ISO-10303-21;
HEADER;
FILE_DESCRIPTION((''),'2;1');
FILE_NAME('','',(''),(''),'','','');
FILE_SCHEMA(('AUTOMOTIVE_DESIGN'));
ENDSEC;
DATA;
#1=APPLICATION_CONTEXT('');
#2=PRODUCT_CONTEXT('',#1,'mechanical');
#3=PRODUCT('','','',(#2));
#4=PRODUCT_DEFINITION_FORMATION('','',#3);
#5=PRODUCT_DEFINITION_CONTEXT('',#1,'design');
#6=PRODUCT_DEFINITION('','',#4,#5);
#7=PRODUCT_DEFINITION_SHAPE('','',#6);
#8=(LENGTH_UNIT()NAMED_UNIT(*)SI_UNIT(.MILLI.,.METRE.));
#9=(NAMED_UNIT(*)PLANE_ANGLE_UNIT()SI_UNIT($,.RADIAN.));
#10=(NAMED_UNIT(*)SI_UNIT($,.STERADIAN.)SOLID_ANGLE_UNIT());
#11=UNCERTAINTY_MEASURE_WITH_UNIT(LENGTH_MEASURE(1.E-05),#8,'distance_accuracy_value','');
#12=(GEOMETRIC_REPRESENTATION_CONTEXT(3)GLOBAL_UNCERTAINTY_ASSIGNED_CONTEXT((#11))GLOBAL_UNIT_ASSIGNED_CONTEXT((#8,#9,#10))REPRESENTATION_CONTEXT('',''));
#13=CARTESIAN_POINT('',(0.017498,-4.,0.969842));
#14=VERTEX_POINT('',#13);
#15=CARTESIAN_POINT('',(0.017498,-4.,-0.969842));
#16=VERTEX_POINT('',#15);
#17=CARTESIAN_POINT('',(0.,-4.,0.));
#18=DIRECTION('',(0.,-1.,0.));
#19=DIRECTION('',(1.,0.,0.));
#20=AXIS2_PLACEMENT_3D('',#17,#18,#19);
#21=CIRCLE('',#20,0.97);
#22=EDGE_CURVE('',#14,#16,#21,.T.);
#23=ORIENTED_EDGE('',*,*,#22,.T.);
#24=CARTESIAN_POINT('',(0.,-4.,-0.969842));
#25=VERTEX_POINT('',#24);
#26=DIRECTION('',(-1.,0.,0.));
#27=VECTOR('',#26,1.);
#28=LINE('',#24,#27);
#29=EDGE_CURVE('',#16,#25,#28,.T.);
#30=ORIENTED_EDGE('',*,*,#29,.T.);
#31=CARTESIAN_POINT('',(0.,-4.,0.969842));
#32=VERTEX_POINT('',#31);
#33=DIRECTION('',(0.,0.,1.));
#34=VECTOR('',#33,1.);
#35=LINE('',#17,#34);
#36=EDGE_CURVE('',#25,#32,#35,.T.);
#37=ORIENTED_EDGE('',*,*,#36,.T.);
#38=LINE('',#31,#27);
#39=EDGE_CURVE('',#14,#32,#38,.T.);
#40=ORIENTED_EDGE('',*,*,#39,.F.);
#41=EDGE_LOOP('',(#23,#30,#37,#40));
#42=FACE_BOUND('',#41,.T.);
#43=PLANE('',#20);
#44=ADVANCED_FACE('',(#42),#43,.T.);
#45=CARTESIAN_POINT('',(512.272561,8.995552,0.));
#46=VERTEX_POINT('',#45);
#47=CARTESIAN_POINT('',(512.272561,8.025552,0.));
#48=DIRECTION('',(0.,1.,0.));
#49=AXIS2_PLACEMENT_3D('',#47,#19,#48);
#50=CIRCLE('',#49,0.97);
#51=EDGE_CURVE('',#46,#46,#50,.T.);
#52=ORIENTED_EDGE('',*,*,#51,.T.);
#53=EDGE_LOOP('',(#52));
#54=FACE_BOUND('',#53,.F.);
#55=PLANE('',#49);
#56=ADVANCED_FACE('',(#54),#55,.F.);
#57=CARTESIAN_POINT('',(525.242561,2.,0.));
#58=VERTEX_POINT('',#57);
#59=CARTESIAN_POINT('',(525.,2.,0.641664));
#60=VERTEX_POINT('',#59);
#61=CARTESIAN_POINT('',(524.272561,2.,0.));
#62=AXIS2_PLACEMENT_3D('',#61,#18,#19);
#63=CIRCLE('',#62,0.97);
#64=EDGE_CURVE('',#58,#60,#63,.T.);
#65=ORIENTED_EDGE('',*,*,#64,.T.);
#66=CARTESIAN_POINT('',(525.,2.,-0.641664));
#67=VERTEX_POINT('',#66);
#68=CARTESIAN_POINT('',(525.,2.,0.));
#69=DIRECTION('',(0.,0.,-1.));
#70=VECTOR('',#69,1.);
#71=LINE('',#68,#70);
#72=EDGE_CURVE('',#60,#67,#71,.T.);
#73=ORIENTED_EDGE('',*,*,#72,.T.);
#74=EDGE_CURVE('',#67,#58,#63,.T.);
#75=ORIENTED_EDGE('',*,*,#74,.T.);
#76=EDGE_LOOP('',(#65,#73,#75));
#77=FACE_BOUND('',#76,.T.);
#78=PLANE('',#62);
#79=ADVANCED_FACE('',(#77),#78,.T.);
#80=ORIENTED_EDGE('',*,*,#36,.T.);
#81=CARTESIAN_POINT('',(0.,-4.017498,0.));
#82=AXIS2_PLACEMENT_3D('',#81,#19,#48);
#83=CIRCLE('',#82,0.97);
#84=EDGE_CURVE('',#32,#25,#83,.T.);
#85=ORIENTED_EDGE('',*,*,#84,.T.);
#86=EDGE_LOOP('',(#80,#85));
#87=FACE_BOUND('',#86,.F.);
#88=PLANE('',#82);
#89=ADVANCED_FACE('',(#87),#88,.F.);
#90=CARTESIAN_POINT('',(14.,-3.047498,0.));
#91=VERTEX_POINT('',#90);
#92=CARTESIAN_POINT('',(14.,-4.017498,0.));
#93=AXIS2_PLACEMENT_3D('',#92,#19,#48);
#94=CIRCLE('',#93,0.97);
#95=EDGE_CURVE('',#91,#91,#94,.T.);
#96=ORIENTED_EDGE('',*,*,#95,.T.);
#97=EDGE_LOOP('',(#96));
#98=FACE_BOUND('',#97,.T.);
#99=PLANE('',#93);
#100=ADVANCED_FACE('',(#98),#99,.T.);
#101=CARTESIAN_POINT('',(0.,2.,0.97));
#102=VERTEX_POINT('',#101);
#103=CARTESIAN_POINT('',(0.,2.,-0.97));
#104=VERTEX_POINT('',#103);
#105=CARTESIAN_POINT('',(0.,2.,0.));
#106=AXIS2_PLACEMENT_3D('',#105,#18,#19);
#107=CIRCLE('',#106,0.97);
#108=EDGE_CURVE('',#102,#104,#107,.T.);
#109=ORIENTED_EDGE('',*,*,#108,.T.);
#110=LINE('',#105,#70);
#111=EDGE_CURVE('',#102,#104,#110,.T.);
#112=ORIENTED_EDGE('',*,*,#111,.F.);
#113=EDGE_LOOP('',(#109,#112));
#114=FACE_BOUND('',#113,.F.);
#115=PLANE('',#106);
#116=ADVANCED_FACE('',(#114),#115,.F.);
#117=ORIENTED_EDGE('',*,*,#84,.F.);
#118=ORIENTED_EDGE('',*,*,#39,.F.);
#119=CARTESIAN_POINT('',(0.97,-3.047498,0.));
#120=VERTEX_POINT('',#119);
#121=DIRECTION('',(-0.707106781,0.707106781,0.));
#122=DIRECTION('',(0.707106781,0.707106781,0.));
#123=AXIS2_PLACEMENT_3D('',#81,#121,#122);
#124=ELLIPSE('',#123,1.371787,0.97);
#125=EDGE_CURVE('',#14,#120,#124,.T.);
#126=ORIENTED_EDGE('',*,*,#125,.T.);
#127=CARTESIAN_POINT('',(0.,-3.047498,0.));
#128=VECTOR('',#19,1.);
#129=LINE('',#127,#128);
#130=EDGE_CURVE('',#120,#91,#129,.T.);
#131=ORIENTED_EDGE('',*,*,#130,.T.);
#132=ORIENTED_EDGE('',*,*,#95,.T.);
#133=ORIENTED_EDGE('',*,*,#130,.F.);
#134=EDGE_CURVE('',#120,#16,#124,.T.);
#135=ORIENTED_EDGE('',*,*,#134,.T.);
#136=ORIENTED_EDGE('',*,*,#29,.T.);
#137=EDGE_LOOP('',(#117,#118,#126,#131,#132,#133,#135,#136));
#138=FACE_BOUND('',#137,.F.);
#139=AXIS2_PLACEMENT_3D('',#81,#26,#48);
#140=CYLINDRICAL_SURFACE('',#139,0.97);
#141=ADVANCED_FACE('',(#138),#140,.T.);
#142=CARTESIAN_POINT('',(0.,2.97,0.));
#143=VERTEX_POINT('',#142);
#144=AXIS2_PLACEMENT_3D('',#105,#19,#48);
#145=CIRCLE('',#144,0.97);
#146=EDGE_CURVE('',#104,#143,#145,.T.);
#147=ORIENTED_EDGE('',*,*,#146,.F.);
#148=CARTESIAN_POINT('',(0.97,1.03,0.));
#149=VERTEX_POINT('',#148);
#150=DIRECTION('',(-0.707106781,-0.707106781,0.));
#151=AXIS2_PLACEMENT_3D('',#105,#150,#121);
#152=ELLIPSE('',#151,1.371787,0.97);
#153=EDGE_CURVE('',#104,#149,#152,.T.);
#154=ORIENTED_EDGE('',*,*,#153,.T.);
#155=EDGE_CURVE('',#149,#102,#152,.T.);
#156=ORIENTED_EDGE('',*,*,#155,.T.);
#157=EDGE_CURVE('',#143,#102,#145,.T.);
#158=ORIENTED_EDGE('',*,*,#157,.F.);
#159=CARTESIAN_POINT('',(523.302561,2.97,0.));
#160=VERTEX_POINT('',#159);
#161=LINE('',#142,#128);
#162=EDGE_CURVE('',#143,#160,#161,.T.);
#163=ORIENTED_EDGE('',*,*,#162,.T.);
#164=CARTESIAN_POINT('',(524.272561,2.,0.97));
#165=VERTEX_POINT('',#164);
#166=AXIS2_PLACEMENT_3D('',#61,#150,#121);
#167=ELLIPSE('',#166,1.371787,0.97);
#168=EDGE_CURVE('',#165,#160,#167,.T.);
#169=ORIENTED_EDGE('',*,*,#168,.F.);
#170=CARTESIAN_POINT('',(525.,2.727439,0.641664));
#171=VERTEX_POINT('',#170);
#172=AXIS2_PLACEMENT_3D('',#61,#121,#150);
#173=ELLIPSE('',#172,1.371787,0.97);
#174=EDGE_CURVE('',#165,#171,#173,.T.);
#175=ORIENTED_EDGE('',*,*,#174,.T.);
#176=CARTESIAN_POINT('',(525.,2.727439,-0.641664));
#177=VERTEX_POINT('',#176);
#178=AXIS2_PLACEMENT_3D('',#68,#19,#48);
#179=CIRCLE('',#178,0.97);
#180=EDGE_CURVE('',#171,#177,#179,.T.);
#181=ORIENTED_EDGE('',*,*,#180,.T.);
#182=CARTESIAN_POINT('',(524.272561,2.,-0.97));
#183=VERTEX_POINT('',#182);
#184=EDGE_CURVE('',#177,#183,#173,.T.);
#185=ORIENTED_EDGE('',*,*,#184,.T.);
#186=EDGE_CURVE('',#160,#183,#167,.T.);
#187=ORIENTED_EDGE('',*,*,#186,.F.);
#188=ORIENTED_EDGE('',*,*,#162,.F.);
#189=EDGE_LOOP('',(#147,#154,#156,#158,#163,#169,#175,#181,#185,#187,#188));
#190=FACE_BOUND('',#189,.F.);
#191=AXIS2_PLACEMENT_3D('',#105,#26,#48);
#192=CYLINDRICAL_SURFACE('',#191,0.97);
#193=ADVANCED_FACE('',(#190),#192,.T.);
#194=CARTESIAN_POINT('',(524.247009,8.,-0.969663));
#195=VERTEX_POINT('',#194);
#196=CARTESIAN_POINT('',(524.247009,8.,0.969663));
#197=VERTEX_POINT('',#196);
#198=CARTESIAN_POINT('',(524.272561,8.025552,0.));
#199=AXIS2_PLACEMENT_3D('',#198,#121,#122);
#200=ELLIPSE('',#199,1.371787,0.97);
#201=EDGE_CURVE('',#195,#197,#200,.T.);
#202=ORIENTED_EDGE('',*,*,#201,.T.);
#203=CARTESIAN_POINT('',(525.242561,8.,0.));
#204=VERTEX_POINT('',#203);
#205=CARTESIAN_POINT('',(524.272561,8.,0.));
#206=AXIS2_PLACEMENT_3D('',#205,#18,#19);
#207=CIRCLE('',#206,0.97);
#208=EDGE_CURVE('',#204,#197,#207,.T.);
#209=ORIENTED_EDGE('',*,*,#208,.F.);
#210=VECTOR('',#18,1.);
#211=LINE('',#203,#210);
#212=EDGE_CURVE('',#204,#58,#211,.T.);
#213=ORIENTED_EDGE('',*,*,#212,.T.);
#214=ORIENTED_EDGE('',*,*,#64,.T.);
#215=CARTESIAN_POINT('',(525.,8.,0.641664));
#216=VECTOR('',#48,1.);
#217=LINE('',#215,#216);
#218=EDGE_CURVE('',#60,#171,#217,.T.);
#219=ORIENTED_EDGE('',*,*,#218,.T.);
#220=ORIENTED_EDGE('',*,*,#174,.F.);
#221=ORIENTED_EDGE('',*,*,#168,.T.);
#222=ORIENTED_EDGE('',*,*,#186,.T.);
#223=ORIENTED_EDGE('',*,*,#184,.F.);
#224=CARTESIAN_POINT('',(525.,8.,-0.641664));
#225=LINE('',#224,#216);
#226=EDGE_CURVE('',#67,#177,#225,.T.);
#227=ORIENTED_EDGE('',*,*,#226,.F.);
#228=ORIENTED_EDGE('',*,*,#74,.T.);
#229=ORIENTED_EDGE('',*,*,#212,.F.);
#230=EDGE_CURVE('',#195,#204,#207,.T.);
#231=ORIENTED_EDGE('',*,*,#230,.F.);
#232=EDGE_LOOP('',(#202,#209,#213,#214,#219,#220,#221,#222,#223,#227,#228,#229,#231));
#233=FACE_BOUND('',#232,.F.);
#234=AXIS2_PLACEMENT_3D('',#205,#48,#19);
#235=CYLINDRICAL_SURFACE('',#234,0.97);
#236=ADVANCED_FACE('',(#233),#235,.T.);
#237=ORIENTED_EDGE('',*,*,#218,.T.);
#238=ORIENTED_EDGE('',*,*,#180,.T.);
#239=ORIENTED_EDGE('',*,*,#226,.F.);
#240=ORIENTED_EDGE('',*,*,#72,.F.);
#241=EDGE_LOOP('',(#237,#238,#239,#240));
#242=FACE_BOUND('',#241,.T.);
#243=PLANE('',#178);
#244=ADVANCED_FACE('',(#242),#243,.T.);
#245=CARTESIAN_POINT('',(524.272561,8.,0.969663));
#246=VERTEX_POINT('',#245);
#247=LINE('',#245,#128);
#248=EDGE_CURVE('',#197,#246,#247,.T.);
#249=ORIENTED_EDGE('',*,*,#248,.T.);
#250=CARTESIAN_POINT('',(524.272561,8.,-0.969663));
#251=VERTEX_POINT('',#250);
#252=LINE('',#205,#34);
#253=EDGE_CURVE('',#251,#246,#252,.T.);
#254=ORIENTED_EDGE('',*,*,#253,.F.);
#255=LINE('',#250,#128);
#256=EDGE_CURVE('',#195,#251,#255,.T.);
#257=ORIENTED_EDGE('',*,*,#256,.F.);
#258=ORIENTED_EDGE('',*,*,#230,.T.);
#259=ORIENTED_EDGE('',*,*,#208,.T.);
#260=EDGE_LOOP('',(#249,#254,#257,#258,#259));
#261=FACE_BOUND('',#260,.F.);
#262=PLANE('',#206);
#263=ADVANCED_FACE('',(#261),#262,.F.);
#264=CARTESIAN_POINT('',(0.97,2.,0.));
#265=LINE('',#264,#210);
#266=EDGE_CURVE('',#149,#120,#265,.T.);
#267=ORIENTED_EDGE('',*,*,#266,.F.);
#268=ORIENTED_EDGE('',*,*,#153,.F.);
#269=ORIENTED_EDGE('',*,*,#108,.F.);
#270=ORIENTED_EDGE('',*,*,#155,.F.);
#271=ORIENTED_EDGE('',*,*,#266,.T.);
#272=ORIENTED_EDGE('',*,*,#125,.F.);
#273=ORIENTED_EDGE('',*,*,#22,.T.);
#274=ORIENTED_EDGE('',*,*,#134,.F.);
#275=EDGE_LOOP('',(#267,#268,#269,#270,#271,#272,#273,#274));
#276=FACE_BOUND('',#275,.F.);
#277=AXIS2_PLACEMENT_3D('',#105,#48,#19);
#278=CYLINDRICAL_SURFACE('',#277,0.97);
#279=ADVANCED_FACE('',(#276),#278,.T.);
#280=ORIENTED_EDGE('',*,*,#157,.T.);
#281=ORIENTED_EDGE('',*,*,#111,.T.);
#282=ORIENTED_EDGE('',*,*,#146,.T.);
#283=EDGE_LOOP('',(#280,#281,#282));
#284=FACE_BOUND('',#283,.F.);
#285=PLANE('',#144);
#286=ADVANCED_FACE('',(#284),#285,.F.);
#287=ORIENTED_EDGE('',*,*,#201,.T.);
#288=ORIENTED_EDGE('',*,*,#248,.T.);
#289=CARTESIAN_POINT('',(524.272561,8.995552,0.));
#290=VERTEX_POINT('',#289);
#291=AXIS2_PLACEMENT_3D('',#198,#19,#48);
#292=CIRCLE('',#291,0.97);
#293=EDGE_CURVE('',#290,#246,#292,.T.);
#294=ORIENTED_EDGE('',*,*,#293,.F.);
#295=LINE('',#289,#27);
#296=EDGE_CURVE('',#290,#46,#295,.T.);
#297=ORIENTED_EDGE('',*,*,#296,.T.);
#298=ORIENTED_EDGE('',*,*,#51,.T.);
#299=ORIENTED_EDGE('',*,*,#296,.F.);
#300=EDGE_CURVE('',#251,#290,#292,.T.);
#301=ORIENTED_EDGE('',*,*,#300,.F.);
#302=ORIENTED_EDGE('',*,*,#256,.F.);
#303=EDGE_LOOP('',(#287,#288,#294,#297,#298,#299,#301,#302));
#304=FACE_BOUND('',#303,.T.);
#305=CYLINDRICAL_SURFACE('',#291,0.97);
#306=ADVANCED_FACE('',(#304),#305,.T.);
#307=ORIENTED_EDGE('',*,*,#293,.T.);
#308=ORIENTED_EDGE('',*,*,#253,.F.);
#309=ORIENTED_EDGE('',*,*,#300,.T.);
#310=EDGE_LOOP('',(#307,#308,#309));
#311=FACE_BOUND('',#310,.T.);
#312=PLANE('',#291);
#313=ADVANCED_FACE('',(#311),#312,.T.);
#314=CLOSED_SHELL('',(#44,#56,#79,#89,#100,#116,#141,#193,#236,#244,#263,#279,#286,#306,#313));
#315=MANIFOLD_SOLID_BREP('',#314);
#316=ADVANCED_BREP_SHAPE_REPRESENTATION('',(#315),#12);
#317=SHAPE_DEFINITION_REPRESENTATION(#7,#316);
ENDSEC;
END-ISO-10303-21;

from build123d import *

# Parameters (mm, degrees)
F0_R      = 0.97
F1_DEPTH  = 525
F2_R      = 0.97
F3_DEPTH  = 6
F4_R      = 0.97
F6_DEPTH  = 14
F7_R      = 0.97
F8_DEPTH  = 6
F11_R     = 0.97
F12_DEPTH = 12


with BuildPart() as f1:
    # F0 (on Right) → F1 (new body)
    with BuildSketch(Plane.YZ):
        Circle(F0_R)
    extrude(amount=F1_DEPTH)

    # F2 (on Front) → F3 (join)
    with BuildSketch(Plane.XZ):
        Circle(F2_R)
    extrude(amount=F3_DEPTH)


with BuildPart() as f1_1:
    # F5: moved
    add(f1.part.moved(Location((0, 2, 0))))

    # F4 (on Right) → F6 (join)
    with BuildSketch(Plane.YZ):
        with Locations((-4.0174978785, 0)):
            Circle(F4_R)
    extrude(amount=F6_DEPTH)



with BuildPart() as f8:
    # F7 (on Front) → F8 (new body)
    with BuildSketch(Plane.XZ):
        with Locations((524.2725610733, 0)):
            Circle(F7_R)
    extrude(amount=F8_DEPTH)


with BuildPart() as f8_1:
    # F9: moved
    add(f8.part.moved(Location((0, 8, 0))))


with BuildPart() as f1_2:
    add(f1_1.part)

    add(f8_1.part)  # F12 merges F8
    # F11 (on face) → F12 (join)
    with BuildSketch(Plane.YZ.offset(524.2725610733)):
        with Locations((8.0255521461, 0)):
            Circle(F11_R)
    extrude(amount=-F12_DEPTH)


solid = f1_2.part
